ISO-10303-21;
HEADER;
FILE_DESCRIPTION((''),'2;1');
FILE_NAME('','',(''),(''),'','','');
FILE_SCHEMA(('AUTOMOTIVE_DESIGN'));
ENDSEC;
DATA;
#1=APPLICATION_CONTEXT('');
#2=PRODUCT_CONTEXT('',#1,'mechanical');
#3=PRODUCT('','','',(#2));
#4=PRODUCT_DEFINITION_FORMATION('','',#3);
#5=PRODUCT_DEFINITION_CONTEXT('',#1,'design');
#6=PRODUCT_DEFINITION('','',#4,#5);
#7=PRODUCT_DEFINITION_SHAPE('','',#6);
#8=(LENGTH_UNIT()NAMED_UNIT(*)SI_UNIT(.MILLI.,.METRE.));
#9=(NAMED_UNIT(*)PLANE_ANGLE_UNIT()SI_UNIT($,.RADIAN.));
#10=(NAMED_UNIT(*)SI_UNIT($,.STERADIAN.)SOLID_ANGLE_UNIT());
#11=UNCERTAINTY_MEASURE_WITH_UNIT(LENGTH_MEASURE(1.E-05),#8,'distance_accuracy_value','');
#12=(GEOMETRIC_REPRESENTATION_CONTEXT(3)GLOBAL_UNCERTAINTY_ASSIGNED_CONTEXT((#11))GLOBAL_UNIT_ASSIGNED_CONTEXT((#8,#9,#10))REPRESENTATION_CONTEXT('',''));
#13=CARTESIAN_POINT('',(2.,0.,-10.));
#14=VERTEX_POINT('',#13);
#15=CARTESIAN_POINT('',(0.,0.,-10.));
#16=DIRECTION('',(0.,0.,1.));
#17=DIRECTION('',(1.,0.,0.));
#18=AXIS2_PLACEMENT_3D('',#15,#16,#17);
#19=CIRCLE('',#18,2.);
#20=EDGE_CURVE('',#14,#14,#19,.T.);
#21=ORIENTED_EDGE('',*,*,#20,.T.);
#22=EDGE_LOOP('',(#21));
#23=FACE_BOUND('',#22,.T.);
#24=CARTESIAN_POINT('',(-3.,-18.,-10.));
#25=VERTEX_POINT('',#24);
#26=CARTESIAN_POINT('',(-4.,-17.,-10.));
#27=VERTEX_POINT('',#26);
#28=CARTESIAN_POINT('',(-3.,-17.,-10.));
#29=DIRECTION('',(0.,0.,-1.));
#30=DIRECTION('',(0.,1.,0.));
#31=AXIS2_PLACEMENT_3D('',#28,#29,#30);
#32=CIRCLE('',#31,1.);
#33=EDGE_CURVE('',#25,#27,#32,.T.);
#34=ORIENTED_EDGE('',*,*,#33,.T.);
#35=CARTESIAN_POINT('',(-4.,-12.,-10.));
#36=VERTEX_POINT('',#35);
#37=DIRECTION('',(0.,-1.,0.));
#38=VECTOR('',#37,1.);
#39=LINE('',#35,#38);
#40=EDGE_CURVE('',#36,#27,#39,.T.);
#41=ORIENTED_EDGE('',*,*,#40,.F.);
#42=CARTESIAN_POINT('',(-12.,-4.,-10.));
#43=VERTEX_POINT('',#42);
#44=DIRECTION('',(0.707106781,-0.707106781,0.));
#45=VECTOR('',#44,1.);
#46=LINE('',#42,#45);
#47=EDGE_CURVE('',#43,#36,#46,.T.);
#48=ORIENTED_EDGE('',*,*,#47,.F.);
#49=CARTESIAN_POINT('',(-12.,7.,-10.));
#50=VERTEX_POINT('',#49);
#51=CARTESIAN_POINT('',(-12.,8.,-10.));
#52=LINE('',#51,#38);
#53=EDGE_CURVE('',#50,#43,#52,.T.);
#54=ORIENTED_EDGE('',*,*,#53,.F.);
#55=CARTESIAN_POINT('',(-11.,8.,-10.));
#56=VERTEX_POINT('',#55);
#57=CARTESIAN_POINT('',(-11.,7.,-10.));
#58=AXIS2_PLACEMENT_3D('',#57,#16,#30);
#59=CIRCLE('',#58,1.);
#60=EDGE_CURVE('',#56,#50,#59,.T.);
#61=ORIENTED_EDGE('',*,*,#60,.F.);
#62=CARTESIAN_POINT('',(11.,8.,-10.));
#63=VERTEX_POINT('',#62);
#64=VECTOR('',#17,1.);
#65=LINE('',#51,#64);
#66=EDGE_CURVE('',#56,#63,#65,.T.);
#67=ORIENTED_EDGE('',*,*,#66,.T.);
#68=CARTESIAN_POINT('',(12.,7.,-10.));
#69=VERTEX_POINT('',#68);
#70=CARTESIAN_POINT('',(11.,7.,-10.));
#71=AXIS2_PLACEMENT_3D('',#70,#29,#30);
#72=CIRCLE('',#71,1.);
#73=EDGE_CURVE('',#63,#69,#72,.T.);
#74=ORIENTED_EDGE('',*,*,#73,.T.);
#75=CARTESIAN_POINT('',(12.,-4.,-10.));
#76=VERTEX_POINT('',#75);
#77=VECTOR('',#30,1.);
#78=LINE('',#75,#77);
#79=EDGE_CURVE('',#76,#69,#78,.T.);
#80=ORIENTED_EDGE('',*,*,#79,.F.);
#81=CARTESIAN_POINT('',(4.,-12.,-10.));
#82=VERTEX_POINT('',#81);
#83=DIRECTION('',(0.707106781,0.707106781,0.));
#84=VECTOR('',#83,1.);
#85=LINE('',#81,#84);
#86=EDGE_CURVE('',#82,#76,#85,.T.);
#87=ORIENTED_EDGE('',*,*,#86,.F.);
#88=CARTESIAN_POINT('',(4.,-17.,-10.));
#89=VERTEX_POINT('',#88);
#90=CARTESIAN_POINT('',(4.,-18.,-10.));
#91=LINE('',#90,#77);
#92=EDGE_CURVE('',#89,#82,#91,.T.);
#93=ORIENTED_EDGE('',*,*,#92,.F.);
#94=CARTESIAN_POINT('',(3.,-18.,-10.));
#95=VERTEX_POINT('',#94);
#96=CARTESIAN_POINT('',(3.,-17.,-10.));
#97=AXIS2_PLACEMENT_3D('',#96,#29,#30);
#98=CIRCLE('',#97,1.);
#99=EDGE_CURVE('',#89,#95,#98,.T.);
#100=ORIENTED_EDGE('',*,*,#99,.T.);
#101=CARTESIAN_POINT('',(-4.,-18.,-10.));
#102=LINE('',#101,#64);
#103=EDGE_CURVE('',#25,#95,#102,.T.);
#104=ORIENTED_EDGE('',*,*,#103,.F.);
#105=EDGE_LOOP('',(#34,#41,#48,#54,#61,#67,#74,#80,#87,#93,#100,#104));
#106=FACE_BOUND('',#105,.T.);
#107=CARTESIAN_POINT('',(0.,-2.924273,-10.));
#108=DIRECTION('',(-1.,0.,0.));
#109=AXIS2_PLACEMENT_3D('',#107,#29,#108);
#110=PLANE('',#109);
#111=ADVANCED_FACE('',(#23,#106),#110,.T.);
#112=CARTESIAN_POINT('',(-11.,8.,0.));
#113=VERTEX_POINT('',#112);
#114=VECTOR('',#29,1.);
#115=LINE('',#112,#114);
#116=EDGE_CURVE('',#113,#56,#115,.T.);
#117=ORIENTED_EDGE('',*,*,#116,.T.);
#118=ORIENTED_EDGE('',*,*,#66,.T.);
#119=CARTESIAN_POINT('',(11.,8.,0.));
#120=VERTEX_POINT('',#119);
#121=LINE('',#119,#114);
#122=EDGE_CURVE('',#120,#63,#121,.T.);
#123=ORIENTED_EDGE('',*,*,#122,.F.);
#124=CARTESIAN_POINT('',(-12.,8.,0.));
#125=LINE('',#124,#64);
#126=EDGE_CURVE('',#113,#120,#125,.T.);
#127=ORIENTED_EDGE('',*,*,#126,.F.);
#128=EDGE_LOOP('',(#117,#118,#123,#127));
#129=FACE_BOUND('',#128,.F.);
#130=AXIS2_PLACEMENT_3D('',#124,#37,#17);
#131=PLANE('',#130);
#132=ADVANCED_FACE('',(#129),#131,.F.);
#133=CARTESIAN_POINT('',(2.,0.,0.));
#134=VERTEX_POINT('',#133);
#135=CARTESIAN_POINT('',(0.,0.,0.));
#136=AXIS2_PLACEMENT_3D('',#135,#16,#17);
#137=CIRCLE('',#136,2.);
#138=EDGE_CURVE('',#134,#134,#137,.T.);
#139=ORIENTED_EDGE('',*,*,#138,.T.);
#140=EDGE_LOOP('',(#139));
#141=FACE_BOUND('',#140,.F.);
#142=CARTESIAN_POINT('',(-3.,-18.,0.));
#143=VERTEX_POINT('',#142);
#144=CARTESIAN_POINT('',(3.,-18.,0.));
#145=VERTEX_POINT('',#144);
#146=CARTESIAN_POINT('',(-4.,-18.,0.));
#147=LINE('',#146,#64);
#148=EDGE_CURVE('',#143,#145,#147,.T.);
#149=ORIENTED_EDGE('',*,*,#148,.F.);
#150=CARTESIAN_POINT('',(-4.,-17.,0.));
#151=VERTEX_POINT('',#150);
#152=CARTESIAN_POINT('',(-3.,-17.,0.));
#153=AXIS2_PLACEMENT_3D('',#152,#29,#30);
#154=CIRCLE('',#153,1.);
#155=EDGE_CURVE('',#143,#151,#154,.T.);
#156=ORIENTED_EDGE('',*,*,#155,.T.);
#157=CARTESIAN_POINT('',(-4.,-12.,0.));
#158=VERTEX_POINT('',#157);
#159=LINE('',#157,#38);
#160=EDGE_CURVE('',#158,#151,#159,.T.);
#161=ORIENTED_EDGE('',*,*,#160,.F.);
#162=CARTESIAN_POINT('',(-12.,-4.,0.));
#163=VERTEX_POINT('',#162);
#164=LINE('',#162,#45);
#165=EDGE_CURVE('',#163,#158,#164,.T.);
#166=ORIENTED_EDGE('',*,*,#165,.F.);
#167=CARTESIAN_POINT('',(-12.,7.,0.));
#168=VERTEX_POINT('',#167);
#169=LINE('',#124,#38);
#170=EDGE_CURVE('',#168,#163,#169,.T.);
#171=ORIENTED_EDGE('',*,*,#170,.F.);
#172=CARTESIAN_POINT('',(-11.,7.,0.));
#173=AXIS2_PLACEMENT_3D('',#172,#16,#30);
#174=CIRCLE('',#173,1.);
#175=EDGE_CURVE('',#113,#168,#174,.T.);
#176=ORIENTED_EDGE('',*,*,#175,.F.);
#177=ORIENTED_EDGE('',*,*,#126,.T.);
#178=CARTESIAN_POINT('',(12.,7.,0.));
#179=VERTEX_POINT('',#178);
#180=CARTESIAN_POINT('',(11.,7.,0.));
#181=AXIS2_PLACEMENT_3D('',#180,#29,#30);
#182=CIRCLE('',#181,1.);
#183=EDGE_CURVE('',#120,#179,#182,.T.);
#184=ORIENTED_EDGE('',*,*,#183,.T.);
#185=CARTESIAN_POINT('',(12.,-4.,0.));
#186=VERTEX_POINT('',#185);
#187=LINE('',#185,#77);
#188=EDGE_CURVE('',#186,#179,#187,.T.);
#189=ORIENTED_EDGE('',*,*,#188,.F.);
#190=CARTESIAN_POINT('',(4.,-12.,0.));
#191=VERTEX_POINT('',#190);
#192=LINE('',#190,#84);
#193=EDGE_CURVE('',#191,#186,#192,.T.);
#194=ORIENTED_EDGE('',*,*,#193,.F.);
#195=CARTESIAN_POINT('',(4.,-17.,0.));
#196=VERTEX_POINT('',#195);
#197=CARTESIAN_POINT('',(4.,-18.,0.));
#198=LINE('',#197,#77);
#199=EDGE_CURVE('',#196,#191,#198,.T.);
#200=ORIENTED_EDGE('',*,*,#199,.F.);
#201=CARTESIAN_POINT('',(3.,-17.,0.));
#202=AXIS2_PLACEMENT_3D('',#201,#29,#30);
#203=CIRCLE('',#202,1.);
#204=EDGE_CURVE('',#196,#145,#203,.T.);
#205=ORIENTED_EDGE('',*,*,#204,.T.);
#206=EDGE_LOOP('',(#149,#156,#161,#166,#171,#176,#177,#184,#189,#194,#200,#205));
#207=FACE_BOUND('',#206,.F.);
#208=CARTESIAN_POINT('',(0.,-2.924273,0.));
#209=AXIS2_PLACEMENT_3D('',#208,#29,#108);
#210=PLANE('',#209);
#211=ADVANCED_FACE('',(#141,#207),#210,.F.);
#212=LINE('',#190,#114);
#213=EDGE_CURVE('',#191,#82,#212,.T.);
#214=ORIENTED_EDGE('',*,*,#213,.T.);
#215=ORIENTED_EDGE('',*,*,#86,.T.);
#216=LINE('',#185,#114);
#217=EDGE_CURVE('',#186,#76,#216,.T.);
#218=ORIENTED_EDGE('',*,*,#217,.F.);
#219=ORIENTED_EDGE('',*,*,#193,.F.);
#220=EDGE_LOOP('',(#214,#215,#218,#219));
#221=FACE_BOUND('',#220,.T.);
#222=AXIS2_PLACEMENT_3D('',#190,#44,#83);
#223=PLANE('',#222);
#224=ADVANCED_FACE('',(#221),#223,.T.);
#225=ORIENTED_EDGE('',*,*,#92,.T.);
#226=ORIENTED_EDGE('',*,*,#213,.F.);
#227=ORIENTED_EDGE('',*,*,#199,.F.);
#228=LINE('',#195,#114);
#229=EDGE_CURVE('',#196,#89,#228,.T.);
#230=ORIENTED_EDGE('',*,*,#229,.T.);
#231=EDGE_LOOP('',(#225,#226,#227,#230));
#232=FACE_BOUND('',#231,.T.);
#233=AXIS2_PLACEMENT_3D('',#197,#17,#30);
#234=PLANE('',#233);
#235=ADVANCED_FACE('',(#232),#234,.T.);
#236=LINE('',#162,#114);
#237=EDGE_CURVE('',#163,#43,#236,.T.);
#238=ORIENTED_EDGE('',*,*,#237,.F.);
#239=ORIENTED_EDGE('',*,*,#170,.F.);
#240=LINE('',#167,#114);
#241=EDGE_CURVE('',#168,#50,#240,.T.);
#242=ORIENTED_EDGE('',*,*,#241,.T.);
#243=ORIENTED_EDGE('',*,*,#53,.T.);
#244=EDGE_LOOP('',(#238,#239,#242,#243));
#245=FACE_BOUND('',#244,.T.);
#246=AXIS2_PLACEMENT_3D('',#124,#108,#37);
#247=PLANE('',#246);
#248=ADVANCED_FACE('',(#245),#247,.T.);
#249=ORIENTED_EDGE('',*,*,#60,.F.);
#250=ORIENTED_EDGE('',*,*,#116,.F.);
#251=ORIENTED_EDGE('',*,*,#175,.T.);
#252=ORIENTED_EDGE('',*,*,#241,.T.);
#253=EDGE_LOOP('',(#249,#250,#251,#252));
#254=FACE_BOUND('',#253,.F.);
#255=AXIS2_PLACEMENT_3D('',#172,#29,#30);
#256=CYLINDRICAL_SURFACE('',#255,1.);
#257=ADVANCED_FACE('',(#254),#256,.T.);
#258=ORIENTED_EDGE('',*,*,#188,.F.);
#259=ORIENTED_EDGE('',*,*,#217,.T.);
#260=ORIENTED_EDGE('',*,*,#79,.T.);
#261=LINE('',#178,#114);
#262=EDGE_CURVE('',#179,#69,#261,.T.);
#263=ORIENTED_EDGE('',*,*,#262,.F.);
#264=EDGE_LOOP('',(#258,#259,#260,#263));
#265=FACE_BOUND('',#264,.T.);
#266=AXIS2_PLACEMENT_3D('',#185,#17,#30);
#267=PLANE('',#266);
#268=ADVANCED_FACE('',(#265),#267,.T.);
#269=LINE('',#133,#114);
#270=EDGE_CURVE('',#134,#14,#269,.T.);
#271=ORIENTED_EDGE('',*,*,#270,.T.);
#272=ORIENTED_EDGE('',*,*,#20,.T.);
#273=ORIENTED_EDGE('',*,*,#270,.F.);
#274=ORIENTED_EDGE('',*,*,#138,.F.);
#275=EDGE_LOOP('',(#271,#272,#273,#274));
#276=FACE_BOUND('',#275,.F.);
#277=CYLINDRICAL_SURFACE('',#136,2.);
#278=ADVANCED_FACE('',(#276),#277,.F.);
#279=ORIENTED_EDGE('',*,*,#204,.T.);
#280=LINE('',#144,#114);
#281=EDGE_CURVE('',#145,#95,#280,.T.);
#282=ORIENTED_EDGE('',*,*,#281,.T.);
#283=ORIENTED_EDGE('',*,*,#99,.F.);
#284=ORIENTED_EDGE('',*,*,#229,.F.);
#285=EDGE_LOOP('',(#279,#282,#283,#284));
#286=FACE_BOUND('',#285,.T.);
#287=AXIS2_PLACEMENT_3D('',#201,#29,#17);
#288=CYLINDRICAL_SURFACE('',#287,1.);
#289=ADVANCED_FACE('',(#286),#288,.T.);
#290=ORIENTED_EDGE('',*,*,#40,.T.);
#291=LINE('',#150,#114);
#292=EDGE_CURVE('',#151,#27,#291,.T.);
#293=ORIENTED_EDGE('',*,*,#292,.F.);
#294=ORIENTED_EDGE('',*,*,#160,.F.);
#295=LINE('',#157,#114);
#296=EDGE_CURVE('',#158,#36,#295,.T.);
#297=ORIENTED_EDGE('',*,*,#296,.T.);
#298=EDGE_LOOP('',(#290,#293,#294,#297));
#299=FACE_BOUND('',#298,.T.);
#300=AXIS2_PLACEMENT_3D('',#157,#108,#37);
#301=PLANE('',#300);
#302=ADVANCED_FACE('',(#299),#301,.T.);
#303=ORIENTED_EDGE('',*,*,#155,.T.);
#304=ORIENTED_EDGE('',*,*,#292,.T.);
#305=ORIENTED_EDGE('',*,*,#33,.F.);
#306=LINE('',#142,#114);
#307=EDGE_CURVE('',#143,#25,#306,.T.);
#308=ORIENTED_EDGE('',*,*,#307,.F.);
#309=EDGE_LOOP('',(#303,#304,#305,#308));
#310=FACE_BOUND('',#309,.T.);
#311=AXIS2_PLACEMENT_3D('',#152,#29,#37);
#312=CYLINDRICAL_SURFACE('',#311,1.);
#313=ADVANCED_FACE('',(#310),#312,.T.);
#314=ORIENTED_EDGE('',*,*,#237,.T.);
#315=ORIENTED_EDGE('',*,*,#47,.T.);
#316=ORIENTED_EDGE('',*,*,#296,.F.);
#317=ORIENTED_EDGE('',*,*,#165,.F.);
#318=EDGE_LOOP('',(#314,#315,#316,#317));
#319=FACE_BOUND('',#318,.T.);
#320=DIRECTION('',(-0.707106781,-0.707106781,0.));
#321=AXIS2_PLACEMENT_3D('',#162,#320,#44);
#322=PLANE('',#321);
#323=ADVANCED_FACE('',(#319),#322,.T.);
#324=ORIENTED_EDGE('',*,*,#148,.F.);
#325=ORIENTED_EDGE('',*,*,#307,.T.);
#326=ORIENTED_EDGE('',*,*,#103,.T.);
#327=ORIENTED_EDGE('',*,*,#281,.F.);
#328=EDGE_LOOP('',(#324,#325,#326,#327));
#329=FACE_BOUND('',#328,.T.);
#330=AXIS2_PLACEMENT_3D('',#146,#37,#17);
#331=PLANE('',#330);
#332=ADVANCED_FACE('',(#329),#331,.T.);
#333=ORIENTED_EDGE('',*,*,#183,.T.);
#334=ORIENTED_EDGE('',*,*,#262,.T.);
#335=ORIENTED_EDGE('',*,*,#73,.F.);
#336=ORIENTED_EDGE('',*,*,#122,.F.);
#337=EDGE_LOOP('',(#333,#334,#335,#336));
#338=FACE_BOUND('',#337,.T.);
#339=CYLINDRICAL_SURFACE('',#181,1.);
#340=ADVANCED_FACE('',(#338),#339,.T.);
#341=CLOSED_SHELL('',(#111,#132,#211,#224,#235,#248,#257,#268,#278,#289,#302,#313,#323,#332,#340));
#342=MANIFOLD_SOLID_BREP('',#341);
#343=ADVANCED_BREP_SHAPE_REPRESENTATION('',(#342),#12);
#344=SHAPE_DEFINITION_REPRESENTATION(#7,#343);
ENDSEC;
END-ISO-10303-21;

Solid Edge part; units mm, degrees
sketch "Sketch1" plane through (0, 0, 0) normal (0, 0, 1) x (1, 0, 0)
  line L0 (-12, 8) -> (12, 8)
  line L1 (12, -4) -> (12, 8)
  line L2 (4, -12) -> (12, -4)
  line L3 (4, -18) -> (4, -12)
  line L4 (-4, -18) -> (4, -18)
  line L5 (-4, -12) -> (-4, -18)
  line L6 (-12, -4) -> (-4, -12)
  line L7 (-12, 8) -> (-12, -4)
  circle A0 centre (0, 0) radius 2
  dimension "D1" = 12
  dimension "D2" = 8
  dimension "D3" = 4
  dimension "D4" = 24
  dimension "D5" = 8
  dimension "D6" = 6
extrude "Protrusion1" add sketch "Sketch1" against normal blind 10
fillet "Round_1" radius 1 4 edges at (-12, 8, -5) (12, 8, -5) (-4, -18, -5) (4, -18, -5)
